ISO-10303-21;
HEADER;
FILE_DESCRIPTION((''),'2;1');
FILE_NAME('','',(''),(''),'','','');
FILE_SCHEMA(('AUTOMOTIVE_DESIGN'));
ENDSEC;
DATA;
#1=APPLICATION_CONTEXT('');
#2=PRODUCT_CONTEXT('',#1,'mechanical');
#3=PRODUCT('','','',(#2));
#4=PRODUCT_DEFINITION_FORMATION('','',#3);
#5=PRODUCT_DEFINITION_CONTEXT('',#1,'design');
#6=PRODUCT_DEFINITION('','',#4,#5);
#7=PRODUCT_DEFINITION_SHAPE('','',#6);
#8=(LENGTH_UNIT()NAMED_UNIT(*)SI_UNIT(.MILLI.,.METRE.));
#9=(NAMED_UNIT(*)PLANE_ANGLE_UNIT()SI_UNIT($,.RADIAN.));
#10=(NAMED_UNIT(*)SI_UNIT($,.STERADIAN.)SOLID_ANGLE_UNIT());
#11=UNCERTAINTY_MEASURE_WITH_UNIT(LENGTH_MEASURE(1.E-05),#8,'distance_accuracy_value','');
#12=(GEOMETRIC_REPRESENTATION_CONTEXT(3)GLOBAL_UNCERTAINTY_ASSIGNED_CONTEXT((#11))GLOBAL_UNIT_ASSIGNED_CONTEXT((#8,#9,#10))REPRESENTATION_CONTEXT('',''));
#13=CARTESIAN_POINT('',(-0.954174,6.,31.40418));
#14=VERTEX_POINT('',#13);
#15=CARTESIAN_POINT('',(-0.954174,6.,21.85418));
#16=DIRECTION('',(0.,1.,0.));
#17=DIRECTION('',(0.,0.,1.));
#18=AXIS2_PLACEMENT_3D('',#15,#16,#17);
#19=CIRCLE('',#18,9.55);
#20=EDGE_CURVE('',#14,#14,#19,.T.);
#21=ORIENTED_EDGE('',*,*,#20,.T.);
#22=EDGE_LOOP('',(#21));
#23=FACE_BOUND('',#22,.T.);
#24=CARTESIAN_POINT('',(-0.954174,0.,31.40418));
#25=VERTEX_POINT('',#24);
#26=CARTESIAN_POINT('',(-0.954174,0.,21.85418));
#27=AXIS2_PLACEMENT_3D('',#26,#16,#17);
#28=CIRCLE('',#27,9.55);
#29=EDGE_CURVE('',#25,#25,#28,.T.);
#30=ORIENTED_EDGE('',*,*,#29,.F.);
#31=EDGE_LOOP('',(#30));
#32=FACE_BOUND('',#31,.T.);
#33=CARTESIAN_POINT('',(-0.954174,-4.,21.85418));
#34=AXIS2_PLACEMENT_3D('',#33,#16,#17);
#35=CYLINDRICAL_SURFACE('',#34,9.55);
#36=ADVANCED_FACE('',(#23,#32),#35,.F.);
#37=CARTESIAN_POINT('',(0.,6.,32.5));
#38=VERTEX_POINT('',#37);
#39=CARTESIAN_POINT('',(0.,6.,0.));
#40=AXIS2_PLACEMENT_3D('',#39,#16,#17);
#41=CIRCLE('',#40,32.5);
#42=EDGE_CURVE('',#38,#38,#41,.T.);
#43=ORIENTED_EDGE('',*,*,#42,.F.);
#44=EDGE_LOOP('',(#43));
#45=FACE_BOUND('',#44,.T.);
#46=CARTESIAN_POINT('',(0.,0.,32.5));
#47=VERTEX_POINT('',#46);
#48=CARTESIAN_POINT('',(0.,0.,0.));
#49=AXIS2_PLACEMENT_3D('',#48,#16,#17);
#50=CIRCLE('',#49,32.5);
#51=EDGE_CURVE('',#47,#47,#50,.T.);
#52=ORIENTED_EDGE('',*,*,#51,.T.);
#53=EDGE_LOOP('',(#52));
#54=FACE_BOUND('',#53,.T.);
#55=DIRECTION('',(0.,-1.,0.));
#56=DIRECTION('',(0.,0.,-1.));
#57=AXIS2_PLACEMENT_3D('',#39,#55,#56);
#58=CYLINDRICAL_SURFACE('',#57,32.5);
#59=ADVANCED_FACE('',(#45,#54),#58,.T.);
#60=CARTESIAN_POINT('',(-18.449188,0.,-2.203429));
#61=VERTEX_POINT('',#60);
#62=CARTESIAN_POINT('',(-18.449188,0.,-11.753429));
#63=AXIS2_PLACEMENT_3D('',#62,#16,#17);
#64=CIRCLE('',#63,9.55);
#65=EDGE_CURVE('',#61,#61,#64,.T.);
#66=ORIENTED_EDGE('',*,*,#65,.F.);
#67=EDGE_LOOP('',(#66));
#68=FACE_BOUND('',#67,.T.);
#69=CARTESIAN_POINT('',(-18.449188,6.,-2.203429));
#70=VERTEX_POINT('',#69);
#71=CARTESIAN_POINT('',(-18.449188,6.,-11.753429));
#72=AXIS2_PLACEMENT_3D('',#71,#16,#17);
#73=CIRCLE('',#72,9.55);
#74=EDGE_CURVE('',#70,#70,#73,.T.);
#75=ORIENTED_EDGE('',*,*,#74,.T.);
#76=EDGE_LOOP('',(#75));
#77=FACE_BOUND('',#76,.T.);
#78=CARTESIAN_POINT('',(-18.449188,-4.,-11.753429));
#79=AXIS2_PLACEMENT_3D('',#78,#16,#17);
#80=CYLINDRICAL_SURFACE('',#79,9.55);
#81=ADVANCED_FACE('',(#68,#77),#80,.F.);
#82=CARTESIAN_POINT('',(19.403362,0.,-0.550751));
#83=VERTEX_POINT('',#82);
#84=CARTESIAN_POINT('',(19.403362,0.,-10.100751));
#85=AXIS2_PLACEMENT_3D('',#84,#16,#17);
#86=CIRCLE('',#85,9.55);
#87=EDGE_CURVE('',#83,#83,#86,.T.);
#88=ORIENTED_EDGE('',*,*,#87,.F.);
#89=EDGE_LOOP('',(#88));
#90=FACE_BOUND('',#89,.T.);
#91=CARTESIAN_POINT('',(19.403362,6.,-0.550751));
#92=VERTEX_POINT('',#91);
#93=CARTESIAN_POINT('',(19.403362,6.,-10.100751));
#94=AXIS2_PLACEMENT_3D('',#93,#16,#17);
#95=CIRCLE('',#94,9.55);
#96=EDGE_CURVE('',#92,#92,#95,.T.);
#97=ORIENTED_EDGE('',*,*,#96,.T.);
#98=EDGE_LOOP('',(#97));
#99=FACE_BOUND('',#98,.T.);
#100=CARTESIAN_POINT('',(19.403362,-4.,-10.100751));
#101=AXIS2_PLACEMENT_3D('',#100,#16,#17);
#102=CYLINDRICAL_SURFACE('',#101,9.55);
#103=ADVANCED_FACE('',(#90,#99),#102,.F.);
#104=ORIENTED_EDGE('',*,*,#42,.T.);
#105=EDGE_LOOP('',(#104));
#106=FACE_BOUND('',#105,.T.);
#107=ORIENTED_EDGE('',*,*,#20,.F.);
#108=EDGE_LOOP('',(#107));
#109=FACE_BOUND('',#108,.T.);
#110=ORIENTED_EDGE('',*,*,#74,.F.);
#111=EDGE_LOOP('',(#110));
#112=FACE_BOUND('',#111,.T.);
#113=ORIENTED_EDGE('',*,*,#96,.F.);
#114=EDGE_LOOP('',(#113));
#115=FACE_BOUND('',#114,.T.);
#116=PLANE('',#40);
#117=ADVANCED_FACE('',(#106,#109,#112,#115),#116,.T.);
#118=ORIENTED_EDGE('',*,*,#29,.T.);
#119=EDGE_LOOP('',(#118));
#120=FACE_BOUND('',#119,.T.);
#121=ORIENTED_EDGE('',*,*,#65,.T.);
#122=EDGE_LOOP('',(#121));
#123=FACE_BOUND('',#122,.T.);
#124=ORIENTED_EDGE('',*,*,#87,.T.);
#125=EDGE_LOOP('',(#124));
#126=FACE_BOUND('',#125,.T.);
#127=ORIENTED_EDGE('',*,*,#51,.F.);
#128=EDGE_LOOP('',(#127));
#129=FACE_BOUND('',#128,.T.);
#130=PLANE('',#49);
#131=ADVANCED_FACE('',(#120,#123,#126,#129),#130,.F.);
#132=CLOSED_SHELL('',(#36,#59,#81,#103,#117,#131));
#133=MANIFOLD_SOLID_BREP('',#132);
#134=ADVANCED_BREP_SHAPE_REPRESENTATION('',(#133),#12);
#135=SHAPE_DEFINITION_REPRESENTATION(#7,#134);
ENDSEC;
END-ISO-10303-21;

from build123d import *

# Parameters (mm, degrees)
SKETCH3_R           = 32.5
BOSS_EXTRUDE1_DEPTH = 6
SKETCH7_R           = 9.55
CUT_EXTRUDE1_DEPTH  = 10


with BuildPart() as part:
    # Sketch3 → Boss-Extrude1 (new body)
    with BuildSketch(Plane(origin=(0, 0, 0), x_dir=(1, 0, 0), z_dir=(0, 1, 0))):
        with Locations(Location((0, 0, 0), (0, 0, 270))):
            Circle(SKETCH3_R)
    extrude(amount=BOSS_EXTRUDE1_DEPTH)

    # Sketch7 → Cut-Extrude1 (cut)
    with BuildSketch(Plane(origin=(0, 6, 0), x_dir=(1, 0, 0), z_dir=(0, 1, 0))):
        with Locations(Location((-0.954174099, -21.854179847, 0), (0, 0, 270))):
            Circle(SKETCH7_R)
        with Locations(Location((-18.449187877, 11.753428933, 0), (0, 0, 270))):
            Circle(SKETCH7_R)
        with Locations(Location((19.403361976, 10.100750915, 0), (0, 0, 270))):
            Circle(SKETCH7_R)
    extrude(amount=-CUT_EXTRUDE1_DEPTH, mode=Mode.SUBTRACT)


solid = part.part
